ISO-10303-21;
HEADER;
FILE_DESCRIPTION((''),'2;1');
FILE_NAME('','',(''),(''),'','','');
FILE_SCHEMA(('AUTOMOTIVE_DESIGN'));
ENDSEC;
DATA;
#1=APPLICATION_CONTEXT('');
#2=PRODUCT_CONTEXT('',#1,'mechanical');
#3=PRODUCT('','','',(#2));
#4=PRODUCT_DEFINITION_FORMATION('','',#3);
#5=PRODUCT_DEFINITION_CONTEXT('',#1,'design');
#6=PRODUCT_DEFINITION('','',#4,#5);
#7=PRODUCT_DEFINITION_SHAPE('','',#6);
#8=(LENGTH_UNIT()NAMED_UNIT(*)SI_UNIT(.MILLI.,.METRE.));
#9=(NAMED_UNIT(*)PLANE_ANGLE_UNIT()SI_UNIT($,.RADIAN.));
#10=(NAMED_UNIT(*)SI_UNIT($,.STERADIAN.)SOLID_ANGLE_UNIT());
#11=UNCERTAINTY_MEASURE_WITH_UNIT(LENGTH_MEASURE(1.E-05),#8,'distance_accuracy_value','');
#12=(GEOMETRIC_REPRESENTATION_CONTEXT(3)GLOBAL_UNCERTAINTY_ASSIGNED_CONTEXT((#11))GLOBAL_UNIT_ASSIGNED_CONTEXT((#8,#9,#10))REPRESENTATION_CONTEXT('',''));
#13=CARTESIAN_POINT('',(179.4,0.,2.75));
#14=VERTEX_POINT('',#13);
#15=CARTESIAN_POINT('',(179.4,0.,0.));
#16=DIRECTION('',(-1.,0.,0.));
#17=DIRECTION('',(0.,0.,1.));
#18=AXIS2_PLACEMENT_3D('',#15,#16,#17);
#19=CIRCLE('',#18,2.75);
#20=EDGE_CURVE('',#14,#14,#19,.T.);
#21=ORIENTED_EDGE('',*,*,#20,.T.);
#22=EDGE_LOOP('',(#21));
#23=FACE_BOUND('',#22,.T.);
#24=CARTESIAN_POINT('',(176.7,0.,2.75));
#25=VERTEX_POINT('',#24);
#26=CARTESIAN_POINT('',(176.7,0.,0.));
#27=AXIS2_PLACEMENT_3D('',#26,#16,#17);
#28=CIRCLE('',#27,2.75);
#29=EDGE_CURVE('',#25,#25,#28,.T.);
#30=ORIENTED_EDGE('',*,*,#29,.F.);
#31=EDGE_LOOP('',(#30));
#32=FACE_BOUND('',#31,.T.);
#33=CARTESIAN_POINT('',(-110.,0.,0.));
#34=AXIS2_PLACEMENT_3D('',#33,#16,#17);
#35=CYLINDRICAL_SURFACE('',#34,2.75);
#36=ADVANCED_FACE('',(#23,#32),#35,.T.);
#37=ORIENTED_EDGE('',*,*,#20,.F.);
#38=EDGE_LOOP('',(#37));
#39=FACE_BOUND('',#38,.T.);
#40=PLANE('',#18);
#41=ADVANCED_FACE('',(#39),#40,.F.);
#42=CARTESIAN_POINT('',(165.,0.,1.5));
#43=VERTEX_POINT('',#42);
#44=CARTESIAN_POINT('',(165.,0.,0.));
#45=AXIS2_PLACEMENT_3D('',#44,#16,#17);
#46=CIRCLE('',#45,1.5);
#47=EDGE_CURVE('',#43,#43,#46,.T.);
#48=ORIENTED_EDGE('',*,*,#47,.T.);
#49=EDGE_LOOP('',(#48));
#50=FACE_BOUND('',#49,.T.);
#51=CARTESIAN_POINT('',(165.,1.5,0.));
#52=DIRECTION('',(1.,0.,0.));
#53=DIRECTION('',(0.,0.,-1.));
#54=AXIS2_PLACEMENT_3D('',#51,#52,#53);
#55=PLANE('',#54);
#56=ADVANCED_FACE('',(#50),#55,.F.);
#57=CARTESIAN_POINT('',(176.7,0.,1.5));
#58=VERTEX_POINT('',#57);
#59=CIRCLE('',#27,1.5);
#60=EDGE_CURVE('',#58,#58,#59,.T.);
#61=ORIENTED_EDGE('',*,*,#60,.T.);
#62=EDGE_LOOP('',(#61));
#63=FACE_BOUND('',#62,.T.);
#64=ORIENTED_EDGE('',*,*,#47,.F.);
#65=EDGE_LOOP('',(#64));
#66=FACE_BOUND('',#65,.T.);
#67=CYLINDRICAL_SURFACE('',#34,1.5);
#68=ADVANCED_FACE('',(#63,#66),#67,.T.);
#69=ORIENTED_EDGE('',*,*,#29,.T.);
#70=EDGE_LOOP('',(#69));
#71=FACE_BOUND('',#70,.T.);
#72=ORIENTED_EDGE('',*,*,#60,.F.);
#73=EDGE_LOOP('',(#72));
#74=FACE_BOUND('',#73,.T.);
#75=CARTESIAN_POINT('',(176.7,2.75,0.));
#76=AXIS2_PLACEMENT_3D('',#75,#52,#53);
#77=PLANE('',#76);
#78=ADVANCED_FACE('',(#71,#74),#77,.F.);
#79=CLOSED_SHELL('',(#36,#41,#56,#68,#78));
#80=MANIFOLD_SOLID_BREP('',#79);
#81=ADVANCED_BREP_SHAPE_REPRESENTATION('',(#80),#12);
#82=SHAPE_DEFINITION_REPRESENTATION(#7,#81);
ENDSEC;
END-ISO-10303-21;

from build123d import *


with BuildPart() as part:
    # Axial profile (mm) → Full revolution (revolve)
    with BuildSketch(Plane.XY, mode=Mode.PRIVATE) as full_revolution_sk:
        Polygon((165, 0), (179.4, 0), (179.4, 2.75), (176.7, 2.75), (176.7, 1.5), (165, 1.5), align=None)
    revolve(full_revolution_sk.sketch.rotate(Axis((-110, 0, 0), (1, 0, 0)), 90), axis=Axis((-110, 0, 0), (1, 0, 0)))


solid = part.part
